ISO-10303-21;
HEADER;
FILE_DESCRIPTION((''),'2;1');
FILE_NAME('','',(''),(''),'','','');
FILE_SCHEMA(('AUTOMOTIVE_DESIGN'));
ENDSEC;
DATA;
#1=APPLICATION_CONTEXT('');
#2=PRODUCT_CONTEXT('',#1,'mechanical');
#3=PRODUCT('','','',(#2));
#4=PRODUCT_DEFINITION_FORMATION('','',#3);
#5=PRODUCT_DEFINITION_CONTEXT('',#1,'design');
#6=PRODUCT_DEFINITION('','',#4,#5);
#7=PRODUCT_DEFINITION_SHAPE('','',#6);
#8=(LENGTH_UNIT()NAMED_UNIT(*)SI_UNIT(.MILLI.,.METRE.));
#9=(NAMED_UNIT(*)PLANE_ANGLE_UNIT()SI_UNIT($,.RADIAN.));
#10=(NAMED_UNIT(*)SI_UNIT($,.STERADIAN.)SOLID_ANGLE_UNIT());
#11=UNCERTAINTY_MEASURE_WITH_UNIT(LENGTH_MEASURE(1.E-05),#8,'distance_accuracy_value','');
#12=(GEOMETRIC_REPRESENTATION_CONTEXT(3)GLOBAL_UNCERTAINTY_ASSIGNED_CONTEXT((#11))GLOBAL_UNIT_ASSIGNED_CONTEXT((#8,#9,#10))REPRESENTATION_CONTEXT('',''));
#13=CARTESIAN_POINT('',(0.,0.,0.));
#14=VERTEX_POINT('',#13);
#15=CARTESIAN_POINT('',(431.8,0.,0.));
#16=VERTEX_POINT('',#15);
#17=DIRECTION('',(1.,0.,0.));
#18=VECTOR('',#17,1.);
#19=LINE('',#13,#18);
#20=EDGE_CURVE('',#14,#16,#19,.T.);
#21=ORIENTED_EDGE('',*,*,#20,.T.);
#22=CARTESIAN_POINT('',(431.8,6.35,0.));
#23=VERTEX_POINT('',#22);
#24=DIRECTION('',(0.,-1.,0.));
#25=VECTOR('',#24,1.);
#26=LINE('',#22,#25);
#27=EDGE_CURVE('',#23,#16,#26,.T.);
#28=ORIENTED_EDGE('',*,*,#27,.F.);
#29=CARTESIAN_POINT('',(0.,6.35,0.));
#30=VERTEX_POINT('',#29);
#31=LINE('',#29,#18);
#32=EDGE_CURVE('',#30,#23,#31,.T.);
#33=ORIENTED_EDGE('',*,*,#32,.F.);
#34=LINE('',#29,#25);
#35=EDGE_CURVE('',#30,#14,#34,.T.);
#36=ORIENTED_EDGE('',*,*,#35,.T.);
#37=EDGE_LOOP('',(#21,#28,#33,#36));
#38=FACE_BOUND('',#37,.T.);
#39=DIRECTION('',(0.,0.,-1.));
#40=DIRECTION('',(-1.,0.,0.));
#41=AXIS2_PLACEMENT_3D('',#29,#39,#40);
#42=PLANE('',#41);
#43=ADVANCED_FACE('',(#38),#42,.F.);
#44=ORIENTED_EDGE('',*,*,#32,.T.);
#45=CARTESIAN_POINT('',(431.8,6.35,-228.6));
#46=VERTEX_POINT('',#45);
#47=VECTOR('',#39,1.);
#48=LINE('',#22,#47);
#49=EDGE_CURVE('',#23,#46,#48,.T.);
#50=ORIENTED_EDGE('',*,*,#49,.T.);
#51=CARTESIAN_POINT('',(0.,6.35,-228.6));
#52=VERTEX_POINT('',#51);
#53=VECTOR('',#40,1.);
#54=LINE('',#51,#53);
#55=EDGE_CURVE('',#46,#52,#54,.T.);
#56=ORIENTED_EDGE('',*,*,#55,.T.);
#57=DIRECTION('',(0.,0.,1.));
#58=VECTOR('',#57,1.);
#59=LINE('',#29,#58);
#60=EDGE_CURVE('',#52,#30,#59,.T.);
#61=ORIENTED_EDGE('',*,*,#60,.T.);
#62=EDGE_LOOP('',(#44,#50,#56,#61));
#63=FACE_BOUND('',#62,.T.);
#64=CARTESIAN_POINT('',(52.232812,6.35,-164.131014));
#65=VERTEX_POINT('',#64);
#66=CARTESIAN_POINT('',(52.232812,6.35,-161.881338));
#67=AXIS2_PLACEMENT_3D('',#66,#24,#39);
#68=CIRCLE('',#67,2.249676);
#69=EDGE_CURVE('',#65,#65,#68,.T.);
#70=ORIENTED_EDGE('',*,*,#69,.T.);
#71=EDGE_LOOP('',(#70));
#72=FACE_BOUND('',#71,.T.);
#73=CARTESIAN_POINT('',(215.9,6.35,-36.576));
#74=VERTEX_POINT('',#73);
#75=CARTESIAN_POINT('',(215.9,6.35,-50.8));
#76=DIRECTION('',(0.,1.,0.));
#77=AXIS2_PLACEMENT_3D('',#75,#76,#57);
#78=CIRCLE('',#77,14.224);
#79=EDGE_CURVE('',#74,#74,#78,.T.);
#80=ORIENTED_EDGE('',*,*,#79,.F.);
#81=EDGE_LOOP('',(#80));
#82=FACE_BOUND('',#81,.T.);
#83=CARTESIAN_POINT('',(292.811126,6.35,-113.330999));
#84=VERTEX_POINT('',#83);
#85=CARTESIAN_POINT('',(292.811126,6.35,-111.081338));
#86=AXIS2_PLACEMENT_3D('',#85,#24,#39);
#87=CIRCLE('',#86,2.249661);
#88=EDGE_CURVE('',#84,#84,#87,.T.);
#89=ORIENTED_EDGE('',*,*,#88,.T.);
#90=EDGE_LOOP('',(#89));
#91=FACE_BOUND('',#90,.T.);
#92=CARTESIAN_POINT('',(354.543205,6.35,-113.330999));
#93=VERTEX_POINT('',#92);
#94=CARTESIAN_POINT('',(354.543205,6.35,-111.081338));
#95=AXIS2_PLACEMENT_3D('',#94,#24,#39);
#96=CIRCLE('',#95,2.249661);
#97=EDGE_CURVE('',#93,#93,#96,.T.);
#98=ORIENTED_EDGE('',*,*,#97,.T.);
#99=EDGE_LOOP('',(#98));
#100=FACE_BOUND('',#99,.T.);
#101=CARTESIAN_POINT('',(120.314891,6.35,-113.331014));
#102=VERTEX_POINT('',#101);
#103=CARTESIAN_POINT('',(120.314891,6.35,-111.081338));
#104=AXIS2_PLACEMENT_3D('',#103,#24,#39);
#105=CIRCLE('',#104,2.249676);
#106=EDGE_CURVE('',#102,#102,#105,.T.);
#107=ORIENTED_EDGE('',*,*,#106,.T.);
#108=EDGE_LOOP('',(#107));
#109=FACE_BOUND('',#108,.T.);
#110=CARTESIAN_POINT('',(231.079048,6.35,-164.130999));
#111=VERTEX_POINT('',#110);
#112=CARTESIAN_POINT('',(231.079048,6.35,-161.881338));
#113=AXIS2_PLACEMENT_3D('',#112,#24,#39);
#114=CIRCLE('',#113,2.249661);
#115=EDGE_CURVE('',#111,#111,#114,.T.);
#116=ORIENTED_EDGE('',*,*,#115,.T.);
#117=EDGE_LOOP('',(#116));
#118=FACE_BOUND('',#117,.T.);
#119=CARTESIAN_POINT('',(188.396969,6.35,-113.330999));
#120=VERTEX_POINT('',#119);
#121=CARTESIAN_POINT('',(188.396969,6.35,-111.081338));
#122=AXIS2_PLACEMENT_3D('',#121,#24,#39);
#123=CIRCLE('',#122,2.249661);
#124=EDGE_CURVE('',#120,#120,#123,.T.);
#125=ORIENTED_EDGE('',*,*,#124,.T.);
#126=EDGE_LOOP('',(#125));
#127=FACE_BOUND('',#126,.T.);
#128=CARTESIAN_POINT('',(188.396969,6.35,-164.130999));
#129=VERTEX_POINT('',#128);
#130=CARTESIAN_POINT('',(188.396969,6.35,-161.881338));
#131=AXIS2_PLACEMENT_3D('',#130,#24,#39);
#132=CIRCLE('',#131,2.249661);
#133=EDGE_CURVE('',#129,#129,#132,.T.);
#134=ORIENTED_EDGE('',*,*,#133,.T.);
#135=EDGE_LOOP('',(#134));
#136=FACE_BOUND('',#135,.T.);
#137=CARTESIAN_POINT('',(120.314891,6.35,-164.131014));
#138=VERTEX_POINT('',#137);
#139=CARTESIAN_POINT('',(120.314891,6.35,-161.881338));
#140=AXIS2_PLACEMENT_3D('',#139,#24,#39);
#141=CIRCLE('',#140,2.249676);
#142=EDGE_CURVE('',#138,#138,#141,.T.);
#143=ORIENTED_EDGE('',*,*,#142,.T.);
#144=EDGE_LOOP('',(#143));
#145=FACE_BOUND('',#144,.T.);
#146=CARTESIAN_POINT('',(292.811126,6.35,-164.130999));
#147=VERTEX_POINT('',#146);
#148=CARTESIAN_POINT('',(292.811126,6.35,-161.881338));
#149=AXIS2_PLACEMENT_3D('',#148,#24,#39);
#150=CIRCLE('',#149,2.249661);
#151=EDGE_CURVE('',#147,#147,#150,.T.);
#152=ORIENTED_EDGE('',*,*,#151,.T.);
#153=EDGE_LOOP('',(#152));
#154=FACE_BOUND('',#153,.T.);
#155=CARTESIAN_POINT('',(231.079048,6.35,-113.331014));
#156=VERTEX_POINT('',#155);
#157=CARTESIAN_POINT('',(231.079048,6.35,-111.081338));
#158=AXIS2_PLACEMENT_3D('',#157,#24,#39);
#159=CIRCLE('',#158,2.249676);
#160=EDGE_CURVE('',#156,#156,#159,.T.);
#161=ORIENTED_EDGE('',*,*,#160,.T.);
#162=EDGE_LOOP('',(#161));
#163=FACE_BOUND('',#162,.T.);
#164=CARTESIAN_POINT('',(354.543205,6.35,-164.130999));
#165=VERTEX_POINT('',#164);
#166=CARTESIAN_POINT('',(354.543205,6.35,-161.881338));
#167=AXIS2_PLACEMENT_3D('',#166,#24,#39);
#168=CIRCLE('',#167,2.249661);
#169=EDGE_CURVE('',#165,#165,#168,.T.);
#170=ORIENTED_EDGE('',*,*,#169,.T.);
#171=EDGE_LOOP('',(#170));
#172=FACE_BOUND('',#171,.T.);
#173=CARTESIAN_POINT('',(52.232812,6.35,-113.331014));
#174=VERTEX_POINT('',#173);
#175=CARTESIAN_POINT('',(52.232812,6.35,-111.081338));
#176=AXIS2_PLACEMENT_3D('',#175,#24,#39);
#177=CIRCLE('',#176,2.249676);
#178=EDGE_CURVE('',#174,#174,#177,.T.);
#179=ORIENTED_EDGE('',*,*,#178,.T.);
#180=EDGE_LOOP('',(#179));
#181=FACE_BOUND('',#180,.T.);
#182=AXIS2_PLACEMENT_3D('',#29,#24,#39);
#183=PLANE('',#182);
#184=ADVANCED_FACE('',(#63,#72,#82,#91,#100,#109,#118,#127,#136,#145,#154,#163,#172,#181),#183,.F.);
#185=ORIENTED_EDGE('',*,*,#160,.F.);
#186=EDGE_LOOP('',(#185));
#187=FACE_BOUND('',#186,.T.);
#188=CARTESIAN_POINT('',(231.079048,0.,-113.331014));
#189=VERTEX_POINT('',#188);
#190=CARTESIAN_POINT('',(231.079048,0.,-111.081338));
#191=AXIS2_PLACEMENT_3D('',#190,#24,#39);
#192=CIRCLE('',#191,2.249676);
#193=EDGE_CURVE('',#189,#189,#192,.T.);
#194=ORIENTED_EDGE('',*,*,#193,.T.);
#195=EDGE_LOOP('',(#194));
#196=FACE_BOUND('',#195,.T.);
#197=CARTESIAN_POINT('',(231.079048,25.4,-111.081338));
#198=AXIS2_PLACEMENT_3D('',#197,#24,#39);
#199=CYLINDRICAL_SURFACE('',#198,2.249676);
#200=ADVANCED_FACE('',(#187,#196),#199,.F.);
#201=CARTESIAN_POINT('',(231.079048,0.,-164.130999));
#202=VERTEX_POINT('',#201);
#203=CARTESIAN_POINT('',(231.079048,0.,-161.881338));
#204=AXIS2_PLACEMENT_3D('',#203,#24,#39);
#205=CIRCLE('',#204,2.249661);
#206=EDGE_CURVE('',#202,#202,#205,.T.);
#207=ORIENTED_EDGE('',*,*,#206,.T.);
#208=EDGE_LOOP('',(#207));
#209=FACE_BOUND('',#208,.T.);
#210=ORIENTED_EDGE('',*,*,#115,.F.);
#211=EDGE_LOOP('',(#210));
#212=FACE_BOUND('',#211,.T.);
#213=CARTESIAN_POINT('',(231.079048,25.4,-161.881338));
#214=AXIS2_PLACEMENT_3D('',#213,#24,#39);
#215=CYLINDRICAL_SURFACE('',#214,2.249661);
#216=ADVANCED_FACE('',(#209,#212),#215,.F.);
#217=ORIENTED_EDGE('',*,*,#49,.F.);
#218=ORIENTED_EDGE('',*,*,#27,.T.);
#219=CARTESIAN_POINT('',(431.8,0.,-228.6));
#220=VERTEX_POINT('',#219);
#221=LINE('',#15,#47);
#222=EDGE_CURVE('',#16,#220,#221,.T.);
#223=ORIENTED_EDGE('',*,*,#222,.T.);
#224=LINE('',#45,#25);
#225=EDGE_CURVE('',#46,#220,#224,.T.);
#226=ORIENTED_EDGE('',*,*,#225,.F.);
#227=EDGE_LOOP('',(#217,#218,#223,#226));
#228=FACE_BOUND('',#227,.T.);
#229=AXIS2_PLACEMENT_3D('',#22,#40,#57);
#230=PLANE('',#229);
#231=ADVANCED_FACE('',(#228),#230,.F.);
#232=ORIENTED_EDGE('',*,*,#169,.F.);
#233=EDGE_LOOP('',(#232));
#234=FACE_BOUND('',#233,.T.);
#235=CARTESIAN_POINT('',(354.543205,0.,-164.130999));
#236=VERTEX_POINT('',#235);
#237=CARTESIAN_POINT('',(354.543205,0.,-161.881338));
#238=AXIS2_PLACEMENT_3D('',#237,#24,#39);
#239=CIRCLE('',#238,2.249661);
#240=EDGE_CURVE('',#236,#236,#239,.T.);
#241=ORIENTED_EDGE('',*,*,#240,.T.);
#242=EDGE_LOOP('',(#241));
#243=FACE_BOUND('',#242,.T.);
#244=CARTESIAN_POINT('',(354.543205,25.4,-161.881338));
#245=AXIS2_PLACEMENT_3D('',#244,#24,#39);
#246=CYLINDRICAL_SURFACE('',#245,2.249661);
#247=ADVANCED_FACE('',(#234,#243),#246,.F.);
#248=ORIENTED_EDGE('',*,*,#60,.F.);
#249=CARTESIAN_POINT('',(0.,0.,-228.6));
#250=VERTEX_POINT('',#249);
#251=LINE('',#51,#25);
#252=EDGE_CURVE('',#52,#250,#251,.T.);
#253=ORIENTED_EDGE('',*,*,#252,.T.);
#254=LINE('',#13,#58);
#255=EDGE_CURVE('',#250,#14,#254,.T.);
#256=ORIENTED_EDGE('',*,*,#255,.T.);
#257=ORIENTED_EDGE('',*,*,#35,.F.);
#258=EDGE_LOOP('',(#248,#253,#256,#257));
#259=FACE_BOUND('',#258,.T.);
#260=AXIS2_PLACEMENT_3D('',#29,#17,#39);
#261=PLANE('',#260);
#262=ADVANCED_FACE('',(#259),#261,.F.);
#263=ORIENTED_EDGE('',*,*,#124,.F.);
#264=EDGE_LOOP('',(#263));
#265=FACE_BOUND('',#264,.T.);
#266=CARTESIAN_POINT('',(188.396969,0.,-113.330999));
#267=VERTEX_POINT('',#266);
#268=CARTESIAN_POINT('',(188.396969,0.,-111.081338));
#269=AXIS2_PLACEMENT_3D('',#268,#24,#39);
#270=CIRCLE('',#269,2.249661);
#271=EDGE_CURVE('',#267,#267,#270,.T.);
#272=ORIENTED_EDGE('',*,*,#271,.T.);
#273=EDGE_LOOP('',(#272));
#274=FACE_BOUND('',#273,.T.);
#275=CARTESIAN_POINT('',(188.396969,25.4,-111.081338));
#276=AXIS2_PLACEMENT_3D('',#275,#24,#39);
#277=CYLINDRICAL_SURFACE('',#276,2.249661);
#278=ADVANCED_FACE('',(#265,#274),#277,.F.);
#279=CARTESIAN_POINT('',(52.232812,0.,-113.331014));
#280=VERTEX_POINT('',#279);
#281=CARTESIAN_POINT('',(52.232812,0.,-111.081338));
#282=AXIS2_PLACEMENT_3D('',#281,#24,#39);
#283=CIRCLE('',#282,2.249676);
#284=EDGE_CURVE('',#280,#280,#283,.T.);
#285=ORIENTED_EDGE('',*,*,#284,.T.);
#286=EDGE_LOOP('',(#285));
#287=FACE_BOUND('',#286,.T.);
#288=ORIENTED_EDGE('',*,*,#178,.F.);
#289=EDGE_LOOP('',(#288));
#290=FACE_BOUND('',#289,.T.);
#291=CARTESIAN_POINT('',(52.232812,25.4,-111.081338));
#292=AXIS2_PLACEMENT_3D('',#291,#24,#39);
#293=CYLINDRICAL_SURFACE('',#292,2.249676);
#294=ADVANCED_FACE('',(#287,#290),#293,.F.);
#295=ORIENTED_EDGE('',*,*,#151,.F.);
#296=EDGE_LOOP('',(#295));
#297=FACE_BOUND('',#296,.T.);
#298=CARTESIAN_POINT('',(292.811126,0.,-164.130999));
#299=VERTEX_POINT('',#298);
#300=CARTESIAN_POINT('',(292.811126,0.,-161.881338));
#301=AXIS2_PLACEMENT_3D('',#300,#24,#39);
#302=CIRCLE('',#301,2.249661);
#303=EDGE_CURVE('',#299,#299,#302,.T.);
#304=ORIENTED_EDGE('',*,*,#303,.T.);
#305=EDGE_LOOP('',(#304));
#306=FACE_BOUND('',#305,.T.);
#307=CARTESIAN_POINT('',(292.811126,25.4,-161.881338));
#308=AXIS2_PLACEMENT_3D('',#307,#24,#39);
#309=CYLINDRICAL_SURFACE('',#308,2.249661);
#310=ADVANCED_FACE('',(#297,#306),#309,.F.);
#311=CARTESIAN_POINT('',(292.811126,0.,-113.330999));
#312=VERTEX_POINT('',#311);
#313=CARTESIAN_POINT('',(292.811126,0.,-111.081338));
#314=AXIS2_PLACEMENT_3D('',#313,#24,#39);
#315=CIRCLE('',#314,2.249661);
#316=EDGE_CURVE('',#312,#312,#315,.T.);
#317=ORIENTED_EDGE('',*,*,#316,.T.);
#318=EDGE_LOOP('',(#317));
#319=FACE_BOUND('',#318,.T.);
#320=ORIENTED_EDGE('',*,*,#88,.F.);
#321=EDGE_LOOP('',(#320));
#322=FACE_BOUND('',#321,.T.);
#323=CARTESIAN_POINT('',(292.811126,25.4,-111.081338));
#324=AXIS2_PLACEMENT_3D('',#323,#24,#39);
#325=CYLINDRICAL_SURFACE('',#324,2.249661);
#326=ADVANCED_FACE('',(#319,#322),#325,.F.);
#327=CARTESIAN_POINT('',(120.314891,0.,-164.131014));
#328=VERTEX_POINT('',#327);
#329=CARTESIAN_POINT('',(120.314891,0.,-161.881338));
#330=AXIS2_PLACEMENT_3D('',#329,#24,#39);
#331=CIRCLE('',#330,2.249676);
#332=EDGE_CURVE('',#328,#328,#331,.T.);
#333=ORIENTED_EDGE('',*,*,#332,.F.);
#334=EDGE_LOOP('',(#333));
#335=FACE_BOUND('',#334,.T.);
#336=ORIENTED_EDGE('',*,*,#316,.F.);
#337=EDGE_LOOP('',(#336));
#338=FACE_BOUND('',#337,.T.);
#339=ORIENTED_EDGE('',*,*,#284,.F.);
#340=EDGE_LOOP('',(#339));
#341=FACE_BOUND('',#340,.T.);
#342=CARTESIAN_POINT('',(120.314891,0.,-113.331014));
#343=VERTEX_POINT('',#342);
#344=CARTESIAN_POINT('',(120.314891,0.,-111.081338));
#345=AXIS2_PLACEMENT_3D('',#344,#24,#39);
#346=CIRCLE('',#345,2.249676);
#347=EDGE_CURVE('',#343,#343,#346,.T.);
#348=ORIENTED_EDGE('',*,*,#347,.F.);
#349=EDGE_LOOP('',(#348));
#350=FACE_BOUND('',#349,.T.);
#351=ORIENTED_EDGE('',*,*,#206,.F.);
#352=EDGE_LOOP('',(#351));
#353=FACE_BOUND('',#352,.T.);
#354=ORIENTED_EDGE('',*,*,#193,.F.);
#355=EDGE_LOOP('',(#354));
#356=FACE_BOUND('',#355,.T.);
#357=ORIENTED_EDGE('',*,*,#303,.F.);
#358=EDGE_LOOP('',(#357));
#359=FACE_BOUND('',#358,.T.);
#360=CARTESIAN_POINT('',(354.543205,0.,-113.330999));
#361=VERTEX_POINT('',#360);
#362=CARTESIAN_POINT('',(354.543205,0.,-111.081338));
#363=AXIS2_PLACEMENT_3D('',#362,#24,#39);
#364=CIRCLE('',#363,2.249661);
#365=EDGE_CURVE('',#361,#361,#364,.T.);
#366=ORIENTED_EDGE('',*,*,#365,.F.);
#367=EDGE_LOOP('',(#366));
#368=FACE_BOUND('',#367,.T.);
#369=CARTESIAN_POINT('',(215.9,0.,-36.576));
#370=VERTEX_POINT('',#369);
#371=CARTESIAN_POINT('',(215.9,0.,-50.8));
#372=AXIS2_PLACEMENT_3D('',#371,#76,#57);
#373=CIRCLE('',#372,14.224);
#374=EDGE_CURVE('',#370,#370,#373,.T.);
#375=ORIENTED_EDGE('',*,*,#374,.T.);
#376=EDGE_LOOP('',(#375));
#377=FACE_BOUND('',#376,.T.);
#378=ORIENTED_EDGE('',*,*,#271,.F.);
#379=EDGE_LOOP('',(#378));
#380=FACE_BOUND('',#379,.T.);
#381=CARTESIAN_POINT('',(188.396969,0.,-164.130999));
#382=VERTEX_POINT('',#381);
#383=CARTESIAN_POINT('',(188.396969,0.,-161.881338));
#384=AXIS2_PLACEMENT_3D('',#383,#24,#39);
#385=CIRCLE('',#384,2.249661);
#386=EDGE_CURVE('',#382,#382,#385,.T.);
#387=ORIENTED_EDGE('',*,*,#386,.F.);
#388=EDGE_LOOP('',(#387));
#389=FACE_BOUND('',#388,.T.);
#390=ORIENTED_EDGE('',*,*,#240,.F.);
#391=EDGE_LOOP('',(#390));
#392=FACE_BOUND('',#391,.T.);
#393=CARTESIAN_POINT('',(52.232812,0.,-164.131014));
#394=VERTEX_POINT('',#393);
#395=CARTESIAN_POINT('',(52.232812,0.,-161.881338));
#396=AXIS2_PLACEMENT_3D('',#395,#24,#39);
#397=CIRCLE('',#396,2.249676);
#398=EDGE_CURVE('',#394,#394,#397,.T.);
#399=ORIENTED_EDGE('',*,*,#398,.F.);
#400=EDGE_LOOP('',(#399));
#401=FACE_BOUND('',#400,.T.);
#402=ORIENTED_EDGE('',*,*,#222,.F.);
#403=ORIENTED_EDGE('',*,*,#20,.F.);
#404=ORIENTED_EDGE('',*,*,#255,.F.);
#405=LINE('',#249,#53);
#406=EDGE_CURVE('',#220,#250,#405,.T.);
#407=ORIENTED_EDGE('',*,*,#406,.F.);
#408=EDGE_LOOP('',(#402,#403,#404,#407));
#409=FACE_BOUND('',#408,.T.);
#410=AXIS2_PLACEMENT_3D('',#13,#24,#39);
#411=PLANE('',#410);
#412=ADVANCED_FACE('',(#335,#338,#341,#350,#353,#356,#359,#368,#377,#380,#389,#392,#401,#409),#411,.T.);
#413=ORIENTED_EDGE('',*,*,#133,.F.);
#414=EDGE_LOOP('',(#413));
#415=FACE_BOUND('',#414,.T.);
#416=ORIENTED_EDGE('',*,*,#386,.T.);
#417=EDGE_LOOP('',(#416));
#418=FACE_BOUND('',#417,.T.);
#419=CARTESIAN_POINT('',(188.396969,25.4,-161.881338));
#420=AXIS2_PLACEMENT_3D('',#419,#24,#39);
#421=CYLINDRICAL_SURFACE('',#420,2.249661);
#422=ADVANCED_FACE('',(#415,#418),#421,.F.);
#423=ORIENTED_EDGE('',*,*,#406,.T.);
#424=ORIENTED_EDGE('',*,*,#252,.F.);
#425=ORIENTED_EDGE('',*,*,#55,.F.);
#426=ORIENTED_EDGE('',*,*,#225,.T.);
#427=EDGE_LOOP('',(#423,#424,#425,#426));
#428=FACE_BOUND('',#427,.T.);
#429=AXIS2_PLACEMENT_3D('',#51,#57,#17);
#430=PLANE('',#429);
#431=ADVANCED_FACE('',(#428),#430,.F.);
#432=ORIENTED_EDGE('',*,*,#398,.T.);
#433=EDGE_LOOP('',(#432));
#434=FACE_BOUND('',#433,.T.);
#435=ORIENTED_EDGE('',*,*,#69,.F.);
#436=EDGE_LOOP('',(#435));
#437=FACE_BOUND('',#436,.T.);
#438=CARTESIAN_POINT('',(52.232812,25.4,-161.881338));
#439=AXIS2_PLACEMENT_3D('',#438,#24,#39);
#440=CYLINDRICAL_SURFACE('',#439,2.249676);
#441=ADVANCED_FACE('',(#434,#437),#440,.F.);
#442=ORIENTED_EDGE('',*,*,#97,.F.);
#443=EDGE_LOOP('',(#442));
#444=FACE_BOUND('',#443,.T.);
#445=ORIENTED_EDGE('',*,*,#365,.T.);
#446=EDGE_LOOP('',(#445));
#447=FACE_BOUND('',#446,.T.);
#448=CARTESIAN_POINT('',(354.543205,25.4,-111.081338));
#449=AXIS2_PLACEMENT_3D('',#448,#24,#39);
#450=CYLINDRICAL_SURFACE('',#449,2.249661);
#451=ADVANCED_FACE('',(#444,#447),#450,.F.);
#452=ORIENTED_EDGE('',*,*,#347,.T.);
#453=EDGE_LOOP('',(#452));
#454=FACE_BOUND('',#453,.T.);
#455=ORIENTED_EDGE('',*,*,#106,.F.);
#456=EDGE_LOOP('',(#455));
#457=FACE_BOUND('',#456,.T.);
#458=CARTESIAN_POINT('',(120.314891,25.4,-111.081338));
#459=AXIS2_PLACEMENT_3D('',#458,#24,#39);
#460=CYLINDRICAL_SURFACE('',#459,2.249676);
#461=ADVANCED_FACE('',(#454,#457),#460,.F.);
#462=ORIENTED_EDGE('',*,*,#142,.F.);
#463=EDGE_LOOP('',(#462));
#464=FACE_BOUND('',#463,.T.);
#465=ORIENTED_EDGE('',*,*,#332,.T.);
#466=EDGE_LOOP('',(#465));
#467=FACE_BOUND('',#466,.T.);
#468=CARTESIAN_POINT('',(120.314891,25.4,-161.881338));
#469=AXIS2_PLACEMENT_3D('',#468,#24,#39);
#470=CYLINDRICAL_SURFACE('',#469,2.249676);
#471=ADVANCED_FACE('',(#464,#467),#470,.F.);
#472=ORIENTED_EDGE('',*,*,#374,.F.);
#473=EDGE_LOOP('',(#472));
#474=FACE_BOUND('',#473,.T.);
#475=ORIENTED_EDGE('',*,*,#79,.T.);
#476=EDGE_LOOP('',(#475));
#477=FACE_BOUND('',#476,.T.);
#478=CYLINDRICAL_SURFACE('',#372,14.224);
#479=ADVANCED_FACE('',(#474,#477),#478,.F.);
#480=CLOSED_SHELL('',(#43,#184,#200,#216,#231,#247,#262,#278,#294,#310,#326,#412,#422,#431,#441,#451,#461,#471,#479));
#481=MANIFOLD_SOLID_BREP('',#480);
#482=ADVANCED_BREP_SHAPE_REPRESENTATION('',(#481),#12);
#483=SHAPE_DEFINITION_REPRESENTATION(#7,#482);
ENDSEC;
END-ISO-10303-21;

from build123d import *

# Parameters (mm, degrees)
SKETCH2_W           = 431.8
SKETCH2_H           = 228.6
BOSS_EXTRUDE1_DEPTH = 6.35
SKETCH4_R           = 14.224
CUT_EXTRUDE1_DEPTH  = 6.35
SKETCH5_R           = 2.24967597
CUT_EXTRUDE2_DEPTH  = 25.4
SKETCH6_R           = 2.24967597
SKETCH6_R_2         = 2.249660739
SKETCH6_R_3         = 2.249660728
CUT_EXTRUDE3_DEPTH  = 25.4
SKETCH7_R           = 2.24967597
SKETCH7_R_2         = 2.249660728
CUT_EXTRUDE4_DEPTH  = 25.4


with BuildPart() as part:
    # Sketch2 → Boss-Extrude1 (new body)
    with BuildSketch(Plane(origin=(0, 0, 0), x_dir=(1, 0, 0), z_dir=(0, 1, 0))):
        with Locations((215.9, 114.3)):
            Rectangle(SKETCH2_W, SKETCH2_H)
    extrude(amount=BOSS_EXTRUDE1_DEPTH)

    # Sketch4 → Cut-Extrude1 (cut)
    with BuildSketch(Plane(origin=(0, 6.35, 0), x_dir=(1, 0, 0), z_dir=(0, 1, 0))):
        with Locations((215.9, 50.8)):
            Circle(SKETCH4_R)
    extrude(amount=-CUT_EXTRUDE1_DEPTH, mode=Mode.SUBTRACT)

    # Sketch5 → Cut-Extrude2 (cut)
    with BuildSketch(Plane(origin=(0, 0, 0), x_dir=(-1, 0, 0), z_dir=(0, -1, 0))):
        with Locations((-52.232812268, 111.081338493)):
            Circle(SKETCH5_R)
        with Locations((-52.232812268, 161.881338493)):
            Circle(SKETCH5_R)
    extrude(amount=-CUT_EXTRUDE2_DEPTH, mode=Mode.SUBTRACT)

    # Sketch6 → Cut-Extrude3 (cut)
    with BuildSketch(Plane(origin=(0, 0, 0), x_dir=(-1, 0, 0), z_dir=(0, -1, 0))):
        with Locations((-120.314890813, 111.081338493)):
            Circle(SKETCH6_R)
        with Locations((-120.314890813, 161.881338493)):
            Circle(SKETCH6_R)
        with Locations((-188.396969359, 111.081338493)):
            Circle(SKETCH6_R_2)
        with Locations((-188.396969359, 161.881338493)):
            Circle(SKETCH6_R_3)
    extrude(amount=-CUT_EXTRUDE3_DEPTH, mode=Mode.SUBTRACT)

    # Sketch7 → Cut-Extrude4 (cut)
    with BuildSketch(Plane(origin=(0, 0, 0), x_dir=(-1, 0, 0), z_dir=(0, -1, 0))):
        with Locations((-231.079047904, 111.081338493)):
            Circle(SKETCH7_R)
        with Locations((-231.079047904, 161.881338493)):
            Circle(SKETCH7_R_2)
        with Locations((-292.811126449, 111.081338493)):
            Circle(SKETCH7_R_2)
        with Locations((-292.811126449, 161.881338493)):
            Circle(SKETCH7_R_2)
        with Locations((-354.543204994, 111.081338493)):
            Circle(SKETCH7_R_2)
        with Locations((-354.543204994, 161.881338493)):
            Circle(SKETCH7_R_2)
    extrude(amount=-CUT_EXTRUDE4_DEPTH, mode=Mode.SUBTRACT)


solid = part.part
